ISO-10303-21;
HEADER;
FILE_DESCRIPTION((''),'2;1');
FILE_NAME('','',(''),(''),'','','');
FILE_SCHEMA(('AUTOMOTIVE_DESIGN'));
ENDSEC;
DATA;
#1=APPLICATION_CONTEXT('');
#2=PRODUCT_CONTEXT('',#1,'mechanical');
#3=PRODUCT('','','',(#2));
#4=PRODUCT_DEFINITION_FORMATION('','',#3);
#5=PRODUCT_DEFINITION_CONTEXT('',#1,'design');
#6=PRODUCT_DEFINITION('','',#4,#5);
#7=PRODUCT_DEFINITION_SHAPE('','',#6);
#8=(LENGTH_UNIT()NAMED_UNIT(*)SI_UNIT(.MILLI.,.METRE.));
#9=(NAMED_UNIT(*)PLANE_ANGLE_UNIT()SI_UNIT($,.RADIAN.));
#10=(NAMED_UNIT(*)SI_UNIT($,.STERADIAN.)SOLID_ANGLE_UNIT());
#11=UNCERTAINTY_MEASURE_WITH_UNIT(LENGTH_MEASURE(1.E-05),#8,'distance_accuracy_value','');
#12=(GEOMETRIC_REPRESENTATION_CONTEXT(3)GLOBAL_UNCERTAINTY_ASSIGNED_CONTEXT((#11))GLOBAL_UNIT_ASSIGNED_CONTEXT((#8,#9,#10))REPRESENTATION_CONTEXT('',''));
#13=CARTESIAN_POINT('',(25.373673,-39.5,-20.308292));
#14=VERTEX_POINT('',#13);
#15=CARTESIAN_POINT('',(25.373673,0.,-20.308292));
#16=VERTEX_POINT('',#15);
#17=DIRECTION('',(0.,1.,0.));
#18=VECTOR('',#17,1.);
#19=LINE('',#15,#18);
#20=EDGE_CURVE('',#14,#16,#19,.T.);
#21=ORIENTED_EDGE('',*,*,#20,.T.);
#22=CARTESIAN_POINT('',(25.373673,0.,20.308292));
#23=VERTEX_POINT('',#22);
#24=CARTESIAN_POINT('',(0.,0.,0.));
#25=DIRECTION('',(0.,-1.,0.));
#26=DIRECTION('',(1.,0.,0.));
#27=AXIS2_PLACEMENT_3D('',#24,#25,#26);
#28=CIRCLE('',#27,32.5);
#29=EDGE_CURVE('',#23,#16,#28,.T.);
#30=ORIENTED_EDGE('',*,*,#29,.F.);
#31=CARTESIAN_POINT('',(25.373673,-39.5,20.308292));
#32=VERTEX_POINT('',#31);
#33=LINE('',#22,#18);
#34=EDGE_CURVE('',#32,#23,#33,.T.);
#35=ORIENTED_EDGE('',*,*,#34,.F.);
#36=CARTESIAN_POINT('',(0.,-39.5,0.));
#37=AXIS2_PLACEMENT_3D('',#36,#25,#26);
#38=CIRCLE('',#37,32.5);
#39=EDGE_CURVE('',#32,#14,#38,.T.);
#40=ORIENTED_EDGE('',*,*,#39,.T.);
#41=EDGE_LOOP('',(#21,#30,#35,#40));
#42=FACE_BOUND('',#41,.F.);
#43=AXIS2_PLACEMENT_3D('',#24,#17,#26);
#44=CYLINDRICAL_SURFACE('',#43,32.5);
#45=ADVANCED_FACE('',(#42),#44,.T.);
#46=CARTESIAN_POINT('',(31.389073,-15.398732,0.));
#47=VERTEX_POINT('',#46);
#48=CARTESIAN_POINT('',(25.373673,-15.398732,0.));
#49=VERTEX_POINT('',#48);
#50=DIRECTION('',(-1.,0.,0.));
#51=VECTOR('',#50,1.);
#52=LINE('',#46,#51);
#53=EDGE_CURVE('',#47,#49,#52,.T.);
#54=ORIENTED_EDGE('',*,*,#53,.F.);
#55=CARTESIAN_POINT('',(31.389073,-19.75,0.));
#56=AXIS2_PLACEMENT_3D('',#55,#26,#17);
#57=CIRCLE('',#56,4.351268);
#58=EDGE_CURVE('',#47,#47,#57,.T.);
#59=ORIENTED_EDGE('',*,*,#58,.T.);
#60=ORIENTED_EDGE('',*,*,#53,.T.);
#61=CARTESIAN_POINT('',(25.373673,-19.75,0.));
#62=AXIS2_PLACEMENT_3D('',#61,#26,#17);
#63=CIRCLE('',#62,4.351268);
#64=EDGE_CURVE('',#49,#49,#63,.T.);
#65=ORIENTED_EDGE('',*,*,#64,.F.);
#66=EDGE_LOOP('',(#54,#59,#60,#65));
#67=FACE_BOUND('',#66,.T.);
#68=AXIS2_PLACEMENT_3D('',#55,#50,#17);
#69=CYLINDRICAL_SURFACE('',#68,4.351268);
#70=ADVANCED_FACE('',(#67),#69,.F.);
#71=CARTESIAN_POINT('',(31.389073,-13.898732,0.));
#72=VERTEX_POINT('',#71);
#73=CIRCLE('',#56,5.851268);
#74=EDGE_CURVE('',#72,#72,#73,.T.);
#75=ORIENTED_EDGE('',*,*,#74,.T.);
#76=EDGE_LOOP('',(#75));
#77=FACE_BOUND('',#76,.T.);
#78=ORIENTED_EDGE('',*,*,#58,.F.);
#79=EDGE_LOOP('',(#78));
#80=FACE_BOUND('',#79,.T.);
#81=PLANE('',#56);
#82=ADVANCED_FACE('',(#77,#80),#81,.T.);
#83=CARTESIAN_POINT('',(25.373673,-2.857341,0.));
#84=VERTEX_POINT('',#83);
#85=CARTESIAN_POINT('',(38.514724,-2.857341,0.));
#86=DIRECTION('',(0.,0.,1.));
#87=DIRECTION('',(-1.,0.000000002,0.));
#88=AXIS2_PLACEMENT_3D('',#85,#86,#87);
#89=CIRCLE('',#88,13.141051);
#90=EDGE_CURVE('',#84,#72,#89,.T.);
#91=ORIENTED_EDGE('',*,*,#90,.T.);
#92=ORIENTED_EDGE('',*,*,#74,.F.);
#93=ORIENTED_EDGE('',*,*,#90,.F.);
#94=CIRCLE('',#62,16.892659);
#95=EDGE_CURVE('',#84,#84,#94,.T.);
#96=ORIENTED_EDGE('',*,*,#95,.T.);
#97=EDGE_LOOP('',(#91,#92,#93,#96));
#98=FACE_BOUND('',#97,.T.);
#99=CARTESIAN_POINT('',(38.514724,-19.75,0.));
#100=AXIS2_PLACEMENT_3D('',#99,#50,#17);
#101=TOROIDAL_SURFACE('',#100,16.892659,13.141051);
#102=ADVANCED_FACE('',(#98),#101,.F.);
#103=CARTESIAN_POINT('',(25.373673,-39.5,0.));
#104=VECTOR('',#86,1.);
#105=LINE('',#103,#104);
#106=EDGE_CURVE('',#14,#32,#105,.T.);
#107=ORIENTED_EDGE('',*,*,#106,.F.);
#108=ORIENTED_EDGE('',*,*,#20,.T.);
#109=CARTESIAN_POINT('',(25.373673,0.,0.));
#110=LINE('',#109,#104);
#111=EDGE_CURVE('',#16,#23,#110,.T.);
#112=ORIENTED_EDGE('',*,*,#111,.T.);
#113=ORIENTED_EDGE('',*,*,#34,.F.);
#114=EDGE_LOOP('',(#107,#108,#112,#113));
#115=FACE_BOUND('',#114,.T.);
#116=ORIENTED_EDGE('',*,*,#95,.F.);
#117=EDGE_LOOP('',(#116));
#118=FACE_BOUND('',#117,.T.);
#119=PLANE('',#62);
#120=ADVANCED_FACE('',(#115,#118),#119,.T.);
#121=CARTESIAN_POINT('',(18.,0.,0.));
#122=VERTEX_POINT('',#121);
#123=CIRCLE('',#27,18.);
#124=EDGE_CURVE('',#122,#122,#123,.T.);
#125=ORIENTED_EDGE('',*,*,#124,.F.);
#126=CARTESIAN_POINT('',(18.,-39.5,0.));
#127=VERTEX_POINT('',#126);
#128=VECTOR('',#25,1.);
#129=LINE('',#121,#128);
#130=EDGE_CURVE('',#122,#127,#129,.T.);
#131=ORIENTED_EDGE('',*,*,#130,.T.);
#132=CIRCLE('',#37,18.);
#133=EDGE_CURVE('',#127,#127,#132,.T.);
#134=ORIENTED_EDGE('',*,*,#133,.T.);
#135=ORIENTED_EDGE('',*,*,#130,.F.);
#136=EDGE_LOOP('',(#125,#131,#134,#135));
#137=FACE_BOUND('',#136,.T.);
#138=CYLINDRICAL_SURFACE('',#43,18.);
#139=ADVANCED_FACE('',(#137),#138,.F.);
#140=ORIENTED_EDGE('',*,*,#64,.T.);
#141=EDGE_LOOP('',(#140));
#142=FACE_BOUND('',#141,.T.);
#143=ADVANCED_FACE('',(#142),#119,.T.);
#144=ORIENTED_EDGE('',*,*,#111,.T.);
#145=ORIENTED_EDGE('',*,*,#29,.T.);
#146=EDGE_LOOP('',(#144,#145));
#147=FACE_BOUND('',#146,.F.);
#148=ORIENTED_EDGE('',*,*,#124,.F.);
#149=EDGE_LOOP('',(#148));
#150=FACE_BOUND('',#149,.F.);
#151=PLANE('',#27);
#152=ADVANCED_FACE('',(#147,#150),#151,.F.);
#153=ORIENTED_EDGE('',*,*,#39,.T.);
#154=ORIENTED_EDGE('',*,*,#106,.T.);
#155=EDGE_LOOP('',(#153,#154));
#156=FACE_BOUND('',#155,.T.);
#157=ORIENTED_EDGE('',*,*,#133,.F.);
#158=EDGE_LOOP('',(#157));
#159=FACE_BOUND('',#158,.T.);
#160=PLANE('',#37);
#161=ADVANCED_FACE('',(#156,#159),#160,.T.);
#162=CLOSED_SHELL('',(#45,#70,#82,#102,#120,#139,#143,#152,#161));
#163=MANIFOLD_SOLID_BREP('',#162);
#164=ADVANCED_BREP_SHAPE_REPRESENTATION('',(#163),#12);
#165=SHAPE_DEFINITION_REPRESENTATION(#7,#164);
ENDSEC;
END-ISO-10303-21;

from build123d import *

# Parameters (mm, degrees)
F0_R     = 32.5
F0_R_2   = 18
F1_DEPTH = 39.5


with BuildPart() as f1:
    # F0 (on Front) → F1 (new body)
    with BuildSketch(Plane.XZ):
        Circle(F0_R)
        Circle(F0_R_2, mode=Mode.SUBTRACT)
    extrude(amount=F1_DEPTH)

    # F2 (on Top) → F3 (revolve, cut)
    with BuildSketch(Plane.XY):
        with BuildLine():
            Line((31.389073, -15.398732), (25.373673, -15.398732))
            Line((25.373673, -15.398732), (25.373673, -19.75))
            Line((25.373673, -19.75), (38.296562, -19.75))
            Line((38.296562, -19.75), (38.296562, 9.950572))
            Line((38.296562, 9.950572), (25.373673, 9.950572))
            Line((25.373673, 9.950572), (25.373673, -2.857341))
            ThreePointArc((25.373673, -2.857341), (26.975102, -9.14418), (31.389073, -13.898732))
            Line((31.389073, -13.898732), (31.389073, -15.398732))
        make_face()
    revolve(axis=Axis((5.5, -19.75, 0), (1, 0, 0)), mode=Mode.SUBTRACT)


solid = f1.part
